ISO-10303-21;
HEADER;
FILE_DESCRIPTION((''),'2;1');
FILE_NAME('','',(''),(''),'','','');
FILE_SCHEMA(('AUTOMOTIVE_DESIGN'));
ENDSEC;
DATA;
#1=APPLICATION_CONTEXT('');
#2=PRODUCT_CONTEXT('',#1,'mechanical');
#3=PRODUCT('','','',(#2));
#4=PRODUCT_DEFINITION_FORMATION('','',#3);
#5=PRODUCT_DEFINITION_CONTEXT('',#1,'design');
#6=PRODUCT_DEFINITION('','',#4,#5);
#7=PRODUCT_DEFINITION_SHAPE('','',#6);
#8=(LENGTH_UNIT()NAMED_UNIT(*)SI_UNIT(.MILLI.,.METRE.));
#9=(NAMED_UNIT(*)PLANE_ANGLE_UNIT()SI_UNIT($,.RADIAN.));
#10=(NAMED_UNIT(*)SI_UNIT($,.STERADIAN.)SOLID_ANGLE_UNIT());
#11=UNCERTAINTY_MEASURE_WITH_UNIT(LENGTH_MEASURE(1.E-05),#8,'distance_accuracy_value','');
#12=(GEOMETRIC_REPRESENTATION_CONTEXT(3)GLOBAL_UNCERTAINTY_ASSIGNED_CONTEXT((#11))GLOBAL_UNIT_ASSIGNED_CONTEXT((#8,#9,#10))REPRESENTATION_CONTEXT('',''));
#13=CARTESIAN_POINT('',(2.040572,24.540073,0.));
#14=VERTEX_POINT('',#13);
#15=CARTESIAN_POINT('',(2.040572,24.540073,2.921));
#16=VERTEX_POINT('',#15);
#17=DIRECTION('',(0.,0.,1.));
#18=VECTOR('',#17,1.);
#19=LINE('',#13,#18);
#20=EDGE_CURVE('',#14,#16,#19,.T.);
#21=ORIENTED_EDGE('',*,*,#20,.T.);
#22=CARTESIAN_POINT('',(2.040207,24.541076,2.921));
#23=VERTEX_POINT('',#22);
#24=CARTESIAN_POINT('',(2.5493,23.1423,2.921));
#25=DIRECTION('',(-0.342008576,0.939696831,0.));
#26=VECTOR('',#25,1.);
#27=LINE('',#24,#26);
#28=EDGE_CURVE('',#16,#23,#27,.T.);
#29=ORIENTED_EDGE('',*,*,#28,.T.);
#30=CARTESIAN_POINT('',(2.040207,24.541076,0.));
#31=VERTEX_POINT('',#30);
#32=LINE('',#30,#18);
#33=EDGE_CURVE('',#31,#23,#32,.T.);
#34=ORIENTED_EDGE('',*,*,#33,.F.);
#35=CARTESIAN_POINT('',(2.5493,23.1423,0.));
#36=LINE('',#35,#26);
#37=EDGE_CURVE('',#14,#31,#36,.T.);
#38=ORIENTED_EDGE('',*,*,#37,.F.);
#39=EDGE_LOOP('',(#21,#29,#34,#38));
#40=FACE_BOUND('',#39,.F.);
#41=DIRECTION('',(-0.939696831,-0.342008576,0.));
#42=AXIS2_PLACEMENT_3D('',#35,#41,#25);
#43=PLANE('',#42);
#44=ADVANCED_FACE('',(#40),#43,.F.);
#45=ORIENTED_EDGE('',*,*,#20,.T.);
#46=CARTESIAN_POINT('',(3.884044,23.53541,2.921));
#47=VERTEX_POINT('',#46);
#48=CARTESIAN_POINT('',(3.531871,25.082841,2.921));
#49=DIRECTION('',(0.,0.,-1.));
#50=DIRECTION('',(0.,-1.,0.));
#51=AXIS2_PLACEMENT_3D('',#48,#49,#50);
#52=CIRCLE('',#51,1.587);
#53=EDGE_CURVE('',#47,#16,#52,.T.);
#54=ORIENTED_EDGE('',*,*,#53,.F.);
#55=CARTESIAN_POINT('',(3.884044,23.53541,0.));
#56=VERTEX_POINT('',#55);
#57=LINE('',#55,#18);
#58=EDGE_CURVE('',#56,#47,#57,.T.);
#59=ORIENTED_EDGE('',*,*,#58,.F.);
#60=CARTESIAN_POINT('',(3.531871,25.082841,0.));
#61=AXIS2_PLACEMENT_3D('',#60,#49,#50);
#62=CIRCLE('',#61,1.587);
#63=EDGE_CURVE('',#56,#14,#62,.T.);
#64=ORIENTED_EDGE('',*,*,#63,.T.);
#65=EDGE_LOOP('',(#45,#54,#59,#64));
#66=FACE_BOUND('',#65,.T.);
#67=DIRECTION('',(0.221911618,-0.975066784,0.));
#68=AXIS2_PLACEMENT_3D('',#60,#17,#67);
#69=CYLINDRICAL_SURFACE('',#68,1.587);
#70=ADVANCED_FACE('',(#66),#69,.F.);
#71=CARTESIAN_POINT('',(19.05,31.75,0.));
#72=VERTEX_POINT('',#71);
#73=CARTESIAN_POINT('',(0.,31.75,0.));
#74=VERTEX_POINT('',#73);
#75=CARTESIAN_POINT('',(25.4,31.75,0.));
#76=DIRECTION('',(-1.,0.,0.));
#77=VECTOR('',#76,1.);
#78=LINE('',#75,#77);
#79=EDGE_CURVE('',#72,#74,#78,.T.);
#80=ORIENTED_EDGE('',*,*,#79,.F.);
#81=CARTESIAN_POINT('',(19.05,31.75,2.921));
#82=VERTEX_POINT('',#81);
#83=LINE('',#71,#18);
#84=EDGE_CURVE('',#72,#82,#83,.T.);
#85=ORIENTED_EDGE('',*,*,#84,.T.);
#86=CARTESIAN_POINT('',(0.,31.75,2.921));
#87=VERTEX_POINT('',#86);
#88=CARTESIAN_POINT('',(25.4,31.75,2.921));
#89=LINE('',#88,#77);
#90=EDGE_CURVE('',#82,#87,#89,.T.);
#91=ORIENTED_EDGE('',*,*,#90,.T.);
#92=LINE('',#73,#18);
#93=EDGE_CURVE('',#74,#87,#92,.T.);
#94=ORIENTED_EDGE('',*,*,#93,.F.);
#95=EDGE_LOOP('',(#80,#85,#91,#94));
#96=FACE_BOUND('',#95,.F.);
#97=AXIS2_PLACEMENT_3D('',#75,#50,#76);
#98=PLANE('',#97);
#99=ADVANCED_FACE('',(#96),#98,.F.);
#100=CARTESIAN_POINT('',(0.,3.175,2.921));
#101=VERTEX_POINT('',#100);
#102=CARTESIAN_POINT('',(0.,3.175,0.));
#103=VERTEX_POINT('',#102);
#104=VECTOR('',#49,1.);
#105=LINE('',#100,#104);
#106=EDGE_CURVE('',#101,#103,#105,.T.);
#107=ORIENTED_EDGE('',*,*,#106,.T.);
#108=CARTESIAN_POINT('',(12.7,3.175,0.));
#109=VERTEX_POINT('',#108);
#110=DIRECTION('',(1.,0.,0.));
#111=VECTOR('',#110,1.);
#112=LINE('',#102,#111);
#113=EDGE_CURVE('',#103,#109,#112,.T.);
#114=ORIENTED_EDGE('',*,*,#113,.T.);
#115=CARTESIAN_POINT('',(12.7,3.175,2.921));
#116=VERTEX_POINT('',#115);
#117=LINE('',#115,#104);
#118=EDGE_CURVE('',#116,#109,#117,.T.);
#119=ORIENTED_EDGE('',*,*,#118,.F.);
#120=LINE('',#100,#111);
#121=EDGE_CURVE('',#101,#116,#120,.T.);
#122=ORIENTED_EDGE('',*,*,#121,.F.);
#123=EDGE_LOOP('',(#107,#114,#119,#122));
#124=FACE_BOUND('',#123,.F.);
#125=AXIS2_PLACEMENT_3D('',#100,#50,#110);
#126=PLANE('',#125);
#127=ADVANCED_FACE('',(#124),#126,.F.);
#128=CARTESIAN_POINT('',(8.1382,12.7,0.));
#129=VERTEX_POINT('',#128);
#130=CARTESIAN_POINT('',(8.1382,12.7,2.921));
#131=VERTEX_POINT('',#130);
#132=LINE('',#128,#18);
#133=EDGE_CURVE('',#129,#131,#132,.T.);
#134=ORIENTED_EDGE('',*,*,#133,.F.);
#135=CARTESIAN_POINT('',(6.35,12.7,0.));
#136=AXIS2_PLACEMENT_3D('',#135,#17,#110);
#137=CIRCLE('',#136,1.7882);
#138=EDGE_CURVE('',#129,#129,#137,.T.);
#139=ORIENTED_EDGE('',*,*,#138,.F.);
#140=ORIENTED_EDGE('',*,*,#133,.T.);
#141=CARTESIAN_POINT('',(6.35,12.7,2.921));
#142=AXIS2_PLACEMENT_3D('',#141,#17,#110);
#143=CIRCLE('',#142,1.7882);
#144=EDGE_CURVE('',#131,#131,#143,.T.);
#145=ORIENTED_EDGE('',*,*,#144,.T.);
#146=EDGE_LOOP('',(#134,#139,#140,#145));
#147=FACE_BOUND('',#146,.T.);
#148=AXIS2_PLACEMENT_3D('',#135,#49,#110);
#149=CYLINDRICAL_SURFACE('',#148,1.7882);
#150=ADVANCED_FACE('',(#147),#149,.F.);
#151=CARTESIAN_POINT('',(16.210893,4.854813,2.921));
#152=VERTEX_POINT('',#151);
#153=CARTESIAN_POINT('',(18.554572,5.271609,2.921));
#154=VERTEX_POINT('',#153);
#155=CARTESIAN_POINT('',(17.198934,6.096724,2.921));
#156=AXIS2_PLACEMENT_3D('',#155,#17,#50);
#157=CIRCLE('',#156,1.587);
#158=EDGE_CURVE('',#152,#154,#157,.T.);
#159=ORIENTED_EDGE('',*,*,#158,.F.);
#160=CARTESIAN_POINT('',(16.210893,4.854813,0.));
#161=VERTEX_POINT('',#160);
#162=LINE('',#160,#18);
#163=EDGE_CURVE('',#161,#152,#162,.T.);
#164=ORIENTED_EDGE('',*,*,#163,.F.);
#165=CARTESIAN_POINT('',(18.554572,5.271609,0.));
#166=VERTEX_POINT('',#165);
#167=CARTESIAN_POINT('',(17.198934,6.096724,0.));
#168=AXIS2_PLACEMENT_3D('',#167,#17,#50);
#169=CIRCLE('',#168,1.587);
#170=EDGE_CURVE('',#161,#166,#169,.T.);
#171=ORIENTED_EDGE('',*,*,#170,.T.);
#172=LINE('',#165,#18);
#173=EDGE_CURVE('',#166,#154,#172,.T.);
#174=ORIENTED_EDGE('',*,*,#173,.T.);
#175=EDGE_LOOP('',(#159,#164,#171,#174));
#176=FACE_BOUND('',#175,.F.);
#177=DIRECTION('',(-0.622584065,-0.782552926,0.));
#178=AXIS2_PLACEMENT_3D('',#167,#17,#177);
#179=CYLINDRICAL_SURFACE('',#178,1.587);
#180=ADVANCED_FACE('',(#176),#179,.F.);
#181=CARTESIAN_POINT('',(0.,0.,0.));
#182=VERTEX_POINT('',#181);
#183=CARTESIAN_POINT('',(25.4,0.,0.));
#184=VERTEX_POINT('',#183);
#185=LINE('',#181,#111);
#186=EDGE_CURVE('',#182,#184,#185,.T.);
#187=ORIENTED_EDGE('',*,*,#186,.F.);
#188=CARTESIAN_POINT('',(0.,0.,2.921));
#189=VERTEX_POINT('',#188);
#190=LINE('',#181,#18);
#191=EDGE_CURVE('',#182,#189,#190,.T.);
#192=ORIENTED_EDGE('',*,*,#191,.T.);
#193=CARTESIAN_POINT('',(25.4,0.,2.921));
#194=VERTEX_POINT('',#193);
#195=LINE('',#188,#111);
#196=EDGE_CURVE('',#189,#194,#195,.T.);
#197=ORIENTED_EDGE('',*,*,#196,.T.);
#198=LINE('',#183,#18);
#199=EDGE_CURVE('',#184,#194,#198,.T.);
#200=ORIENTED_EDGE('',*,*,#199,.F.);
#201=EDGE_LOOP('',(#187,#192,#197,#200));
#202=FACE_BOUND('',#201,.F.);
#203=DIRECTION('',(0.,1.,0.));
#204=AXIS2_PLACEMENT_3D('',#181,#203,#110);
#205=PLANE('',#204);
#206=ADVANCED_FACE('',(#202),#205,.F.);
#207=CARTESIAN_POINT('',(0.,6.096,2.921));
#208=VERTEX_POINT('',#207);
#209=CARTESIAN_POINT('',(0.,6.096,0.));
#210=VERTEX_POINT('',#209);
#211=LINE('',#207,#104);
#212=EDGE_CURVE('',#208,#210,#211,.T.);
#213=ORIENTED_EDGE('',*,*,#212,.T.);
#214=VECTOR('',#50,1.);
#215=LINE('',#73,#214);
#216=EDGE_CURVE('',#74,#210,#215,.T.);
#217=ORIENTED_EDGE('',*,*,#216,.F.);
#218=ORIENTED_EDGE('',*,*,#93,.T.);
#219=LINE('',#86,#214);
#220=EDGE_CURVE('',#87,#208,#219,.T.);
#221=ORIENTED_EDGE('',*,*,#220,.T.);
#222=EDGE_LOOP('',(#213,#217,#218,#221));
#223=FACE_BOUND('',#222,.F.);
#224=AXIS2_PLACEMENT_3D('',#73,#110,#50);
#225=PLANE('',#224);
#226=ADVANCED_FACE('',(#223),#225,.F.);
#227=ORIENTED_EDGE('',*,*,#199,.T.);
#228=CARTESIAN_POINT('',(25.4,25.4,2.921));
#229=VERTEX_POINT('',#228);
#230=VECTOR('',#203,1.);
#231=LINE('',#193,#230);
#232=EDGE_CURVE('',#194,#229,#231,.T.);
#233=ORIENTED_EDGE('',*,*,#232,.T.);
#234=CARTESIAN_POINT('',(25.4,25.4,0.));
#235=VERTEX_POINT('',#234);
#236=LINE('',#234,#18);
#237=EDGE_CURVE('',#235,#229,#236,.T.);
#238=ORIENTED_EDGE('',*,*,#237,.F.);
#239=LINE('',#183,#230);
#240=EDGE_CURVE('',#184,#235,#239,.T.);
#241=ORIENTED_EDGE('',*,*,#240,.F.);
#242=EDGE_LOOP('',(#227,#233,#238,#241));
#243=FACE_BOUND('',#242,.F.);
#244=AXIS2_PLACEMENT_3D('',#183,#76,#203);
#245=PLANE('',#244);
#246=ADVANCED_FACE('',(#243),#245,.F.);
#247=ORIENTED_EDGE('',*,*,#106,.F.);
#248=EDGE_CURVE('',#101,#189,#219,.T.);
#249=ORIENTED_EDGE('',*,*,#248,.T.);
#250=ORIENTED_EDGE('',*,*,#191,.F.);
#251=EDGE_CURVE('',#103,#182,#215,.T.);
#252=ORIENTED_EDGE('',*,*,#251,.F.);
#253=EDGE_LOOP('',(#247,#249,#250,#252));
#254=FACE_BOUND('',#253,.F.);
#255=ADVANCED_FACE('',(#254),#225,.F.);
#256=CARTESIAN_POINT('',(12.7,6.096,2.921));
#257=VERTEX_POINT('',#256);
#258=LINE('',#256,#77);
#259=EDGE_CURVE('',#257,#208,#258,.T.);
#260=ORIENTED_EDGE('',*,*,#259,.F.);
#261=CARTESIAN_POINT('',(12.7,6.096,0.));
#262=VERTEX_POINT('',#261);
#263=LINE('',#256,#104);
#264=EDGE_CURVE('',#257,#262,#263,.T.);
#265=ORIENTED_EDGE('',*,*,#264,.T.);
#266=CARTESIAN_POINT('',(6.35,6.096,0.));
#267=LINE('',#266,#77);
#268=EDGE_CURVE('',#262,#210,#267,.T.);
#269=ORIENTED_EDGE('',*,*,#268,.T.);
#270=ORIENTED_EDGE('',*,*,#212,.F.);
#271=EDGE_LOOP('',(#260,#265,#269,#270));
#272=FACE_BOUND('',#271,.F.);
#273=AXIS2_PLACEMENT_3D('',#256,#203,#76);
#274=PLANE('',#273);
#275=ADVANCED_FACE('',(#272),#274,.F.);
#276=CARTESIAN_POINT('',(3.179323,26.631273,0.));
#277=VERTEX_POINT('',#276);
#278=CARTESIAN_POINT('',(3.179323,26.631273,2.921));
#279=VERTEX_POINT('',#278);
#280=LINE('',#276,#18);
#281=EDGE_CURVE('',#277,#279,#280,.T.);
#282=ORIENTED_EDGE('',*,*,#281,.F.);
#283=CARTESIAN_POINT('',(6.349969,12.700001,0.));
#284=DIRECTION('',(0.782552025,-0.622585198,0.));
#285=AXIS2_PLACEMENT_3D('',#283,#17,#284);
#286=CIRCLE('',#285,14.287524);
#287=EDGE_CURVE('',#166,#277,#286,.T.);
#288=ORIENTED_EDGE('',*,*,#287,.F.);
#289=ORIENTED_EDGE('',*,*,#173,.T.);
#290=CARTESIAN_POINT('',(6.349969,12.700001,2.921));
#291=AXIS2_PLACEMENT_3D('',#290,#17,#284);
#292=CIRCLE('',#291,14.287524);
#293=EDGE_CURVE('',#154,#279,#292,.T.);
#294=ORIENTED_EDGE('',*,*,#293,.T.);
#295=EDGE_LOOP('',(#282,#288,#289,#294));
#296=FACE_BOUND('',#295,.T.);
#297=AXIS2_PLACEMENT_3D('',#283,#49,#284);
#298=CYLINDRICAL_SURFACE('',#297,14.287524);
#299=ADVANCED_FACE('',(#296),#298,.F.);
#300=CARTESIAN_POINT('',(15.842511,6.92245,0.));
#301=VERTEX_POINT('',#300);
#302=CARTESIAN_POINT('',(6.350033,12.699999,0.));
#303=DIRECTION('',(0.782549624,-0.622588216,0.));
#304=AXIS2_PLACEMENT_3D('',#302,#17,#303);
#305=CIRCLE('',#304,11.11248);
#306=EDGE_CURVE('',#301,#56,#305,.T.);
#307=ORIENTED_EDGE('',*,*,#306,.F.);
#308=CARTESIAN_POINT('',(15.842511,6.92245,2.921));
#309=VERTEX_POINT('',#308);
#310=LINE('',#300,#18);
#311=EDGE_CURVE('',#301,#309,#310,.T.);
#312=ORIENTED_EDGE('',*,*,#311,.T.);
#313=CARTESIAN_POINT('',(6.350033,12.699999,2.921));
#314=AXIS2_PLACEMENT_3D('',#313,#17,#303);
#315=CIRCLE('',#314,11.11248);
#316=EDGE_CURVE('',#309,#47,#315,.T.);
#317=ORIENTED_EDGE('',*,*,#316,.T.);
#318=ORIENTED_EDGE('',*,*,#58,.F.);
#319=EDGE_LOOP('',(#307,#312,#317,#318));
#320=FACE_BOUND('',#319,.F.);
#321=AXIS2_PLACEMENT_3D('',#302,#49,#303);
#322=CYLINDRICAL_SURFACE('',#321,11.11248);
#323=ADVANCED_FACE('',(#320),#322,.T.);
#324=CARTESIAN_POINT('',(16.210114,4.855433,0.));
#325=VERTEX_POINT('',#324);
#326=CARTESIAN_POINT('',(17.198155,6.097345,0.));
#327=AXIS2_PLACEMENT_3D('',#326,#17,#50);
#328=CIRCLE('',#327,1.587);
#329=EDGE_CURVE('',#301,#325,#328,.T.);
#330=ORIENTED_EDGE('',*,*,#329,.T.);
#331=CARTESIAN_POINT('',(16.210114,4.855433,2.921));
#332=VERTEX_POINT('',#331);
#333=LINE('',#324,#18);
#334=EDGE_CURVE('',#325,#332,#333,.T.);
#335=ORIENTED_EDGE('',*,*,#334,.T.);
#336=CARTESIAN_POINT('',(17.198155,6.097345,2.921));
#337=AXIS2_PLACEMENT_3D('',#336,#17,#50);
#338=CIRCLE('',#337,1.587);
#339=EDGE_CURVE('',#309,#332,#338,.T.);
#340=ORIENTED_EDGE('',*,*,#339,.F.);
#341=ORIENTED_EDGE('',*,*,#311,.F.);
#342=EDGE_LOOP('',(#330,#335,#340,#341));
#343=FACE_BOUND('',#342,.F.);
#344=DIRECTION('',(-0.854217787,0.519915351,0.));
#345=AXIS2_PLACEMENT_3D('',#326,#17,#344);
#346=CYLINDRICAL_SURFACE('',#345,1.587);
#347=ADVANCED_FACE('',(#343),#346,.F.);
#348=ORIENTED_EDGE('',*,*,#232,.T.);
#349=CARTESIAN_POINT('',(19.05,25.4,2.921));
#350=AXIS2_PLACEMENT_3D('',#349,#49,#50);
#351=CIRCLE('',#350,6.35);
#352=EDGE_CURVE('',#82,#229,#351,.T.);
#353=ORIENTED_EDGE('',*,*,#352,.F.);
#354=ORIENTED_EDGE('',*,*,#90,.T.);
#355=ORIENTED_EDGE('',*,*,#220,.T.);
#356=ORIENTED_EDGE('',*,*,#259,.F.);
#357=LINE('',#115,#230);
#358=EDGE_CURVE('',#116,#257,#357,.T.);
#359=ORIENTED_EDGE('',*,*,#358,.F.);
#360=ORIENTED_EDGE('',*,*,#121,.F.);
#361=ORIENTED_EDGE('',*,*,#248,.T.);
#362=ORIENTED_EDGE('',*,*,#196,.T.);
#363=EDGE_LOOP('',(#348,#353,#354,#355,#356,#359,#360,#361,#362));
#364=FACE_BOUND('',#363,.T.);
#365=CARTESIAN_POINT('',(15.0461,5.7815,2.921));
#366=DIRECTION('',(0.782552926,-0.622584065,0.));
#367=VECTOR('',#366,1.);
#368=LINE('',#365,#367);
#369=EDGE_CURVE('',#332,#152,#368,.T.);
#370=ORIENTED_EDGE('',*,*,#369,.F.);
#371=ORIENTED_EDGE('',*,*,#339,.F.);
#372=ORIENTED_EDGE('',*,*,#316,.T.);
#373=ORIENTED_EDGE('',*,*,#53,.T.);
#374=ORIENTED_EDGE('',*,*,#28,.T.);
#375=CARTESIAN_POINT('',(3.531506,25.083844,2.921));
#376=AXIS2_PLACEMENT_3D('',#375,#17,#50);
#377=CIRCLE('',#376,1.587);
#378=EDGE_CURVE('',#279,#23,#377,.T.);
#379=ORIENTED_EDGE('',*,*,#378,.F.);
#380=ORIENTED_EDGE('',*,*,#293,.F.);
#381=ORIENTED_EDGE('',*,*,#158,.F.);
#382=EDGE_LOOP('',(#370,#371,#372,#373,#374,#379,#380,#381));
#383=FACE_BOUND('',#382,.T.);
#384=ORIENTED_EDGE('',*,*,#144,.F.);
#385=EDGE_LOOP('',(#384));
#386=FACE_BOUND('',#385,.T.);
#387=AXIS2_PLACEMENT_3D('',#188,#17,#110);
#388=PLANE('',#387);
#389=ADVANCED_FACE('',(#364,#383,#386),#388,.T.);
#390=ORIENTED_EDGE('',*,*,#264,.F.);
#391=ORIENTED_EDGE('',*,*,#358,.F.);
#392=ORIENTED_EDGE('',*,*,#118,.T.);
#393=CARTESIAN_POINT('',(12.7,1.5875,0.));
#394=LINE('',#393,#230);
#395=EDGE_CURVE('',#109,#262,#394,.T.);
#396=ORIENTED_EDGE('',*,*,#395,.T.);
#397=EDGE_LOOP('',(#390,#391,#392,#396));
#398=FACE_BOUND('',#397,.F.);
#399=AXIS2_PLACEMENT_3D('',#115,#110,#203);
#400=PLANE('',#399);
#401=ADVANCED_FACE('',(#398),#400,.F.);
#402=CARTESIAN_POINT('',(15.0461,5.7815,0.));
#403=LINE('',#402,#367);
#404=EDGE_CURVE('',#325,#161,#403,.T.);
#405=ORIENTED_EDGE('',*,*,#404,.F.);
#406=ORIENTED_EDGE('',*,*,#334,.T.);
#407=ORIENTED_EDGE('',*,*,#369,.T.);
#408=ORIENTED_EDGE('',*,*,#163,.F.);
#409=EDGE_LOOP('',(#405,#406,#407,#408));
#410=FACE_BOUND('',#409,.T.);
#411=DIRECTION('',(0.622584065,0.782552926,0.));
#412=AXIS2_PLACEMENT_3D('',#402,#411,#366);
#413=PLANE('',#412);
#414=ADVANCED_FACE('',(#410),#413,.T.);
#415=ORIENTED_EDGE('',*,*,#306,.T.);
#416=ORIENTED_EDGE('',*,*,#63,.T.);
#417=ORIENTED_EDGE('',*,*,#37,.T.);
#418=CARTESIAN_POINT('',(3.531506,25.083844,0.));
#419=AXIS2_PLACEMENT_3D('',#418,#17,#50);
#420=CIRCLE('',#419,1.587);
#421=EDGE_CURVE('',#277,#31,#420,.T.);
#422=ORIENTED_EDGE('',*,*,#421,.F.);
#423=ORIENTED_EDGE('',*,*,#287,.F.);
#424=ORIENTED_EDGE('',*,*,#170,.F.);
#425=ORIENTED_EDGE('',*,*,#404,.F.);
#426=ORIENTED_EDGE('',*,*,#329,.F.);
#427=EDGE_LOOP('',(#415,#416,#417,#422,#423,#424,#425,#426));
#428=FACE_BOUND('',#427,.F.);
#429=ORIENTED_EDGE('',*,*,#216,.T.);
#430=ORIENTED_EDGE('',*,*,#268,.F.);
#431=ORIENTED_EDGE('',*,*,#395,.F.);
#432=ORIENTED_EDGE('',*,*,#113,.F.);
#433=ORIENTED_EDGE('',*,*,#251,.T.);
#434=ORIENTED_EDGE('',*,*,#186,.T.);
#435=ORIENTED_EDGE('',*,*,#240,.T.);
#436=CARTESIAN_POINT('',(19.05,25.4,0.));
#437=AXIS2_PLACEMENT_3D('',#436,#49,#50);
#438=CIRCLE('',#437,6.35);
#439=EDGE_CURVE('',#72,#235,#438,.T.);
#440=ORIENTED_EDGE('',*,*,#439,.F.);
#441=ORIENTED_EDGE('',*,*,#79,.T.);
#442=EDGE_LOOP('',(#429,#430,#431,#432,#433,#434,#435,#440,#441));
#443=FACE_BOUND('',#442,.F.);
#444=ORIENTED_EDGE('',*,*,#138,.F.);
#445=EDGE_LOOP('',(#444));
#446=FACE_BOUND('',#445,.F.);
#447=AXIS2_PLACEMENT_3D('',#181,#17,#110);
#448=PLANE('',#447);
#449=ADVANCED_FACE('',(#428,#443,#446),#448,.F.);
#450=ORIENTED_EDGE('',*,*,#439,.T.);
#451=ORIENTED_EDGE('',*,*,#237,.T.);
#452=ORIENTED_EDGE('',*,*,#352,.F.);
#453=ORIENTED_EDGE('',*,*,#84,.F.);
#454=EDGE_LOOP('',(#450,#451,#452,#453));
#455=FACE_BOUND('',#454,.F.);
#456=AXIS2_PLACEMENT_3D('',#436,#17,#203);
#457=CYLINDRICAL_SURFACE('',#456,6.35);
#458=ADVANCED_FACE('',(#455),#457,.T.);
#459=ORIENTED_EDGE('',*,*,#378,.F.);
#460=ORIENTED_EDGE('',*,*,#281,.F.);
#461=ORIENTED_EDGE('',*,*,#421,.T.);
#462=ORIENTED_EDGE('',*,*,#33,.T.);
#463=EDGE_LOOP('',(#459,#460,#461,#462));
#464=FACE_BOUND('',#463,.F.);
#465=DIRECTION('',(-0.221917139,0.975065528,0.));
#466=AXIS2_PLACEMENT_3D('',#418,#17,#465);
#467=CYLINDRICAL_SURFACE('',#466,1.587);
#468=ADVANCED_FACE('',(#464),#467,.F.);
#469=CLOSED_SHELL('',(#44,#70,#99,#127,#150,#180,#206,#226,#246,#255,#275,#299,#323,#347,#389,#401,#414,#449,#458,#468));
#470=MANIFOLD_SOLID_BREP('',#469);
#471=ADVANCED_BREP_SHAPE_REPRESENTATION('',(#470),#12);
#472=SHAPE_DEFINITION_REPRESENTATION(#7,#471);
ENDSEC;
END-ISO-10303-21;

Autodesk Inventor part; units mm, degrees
ref_plane "YZ Plane" through (0, 0, 0) normal (1, 0, 0) x (0, 1, 0)
ref_plane "XZ Plane" through (0, 0, 0) normal (0, 1, 0) x (-1, 0, 0)
ref_plane "XY Plane" through (0, 0, 0) normal (0, 0, 1) x (1, 0, 0)
sketch "Sketch1" plane through (0, 0, 0) normal (0, 0, 1) x (1, 0, 0)
  line L0 (0, 0) -> (25.4, 0)
  line L1 (25.4, 0) -> (25.4, 31.75)
  line L2 (25.4, 31.75) -> (0, 31.75)
  line L3 (0, 31.75) -> (0, 0)
  circle A0 centre (6.35, 12.7) radius 1.7882
  arc A1 (16.2884, 4.7932) -> (2.0063, 24.6341) centre (6.35, 12.7) ccw construction
  line L4 (2.5493, 23.1423) -> (1.4634, 26.1259)
  line L5 (6.35, 12.7) -> (20.6125, 12.7) construction
  arc A2 (15.0461, 5.7815) -> (2.5493, 23.1423) centre (6.35, 12.7) ccw
  arc A3 (17.5307, 3.8048) -> (1.4634, 26.1259) centre (6.35, 12.7) ccw
  line L6 (15.0461, 5.7815) -> (17.5307, 3.8048)
  dimension "d0" = 12.7
  dimension "d1" = 31.75
  dimension "d2" = 6.35
  dimension "d3" = 110
  dimension "d4" = 25.4
  dimension "d5" = 1.5875
  dimension "d6" = 1.5875
  dimension "d10" = 25.4
extrude "Extrusion1" add sketch "Sketch1" along normal blind 2.921
fillet "Fillet1" radius 1.5875 4 edges at (15.0461, 5.7815, 1.4605) (17.5307, 3.8048, 1.4605) (1.4634, 26.1259, 1.4605) (2.5493, 23.1423, 1.4605)
sketch "Sketch2" plane through (0, 0, 2.921) normal (0, 0, 1) x (1, 0, 0)
  line L0 (0, 3.175) -> (12.7, 3.175)
  line L1 (12.7, 3.175) -> (12.7, 6.096)
  line L2 (12.7, 6.096) -> (0, 6.096)
  line L3 (0, 6.096) -> (0, 3.175)
  line L4 (0, 0) -> (25.4, 0) projected
  line L5 (0, 31.75) -> (0, 0) projected
  dimension "d11" = 2.921
  dimension "d12" = 12.7
  dimension "d13" = 3.175
  dimension "d14" = 0
extrude "Extrusion2" cut sketch "Sketch2" against normal blind 6.604
fillet "Fillet2" radius 6.35 1 edges at (25.4, 31.75, 1.4605)
properties part number "Angleframe"
